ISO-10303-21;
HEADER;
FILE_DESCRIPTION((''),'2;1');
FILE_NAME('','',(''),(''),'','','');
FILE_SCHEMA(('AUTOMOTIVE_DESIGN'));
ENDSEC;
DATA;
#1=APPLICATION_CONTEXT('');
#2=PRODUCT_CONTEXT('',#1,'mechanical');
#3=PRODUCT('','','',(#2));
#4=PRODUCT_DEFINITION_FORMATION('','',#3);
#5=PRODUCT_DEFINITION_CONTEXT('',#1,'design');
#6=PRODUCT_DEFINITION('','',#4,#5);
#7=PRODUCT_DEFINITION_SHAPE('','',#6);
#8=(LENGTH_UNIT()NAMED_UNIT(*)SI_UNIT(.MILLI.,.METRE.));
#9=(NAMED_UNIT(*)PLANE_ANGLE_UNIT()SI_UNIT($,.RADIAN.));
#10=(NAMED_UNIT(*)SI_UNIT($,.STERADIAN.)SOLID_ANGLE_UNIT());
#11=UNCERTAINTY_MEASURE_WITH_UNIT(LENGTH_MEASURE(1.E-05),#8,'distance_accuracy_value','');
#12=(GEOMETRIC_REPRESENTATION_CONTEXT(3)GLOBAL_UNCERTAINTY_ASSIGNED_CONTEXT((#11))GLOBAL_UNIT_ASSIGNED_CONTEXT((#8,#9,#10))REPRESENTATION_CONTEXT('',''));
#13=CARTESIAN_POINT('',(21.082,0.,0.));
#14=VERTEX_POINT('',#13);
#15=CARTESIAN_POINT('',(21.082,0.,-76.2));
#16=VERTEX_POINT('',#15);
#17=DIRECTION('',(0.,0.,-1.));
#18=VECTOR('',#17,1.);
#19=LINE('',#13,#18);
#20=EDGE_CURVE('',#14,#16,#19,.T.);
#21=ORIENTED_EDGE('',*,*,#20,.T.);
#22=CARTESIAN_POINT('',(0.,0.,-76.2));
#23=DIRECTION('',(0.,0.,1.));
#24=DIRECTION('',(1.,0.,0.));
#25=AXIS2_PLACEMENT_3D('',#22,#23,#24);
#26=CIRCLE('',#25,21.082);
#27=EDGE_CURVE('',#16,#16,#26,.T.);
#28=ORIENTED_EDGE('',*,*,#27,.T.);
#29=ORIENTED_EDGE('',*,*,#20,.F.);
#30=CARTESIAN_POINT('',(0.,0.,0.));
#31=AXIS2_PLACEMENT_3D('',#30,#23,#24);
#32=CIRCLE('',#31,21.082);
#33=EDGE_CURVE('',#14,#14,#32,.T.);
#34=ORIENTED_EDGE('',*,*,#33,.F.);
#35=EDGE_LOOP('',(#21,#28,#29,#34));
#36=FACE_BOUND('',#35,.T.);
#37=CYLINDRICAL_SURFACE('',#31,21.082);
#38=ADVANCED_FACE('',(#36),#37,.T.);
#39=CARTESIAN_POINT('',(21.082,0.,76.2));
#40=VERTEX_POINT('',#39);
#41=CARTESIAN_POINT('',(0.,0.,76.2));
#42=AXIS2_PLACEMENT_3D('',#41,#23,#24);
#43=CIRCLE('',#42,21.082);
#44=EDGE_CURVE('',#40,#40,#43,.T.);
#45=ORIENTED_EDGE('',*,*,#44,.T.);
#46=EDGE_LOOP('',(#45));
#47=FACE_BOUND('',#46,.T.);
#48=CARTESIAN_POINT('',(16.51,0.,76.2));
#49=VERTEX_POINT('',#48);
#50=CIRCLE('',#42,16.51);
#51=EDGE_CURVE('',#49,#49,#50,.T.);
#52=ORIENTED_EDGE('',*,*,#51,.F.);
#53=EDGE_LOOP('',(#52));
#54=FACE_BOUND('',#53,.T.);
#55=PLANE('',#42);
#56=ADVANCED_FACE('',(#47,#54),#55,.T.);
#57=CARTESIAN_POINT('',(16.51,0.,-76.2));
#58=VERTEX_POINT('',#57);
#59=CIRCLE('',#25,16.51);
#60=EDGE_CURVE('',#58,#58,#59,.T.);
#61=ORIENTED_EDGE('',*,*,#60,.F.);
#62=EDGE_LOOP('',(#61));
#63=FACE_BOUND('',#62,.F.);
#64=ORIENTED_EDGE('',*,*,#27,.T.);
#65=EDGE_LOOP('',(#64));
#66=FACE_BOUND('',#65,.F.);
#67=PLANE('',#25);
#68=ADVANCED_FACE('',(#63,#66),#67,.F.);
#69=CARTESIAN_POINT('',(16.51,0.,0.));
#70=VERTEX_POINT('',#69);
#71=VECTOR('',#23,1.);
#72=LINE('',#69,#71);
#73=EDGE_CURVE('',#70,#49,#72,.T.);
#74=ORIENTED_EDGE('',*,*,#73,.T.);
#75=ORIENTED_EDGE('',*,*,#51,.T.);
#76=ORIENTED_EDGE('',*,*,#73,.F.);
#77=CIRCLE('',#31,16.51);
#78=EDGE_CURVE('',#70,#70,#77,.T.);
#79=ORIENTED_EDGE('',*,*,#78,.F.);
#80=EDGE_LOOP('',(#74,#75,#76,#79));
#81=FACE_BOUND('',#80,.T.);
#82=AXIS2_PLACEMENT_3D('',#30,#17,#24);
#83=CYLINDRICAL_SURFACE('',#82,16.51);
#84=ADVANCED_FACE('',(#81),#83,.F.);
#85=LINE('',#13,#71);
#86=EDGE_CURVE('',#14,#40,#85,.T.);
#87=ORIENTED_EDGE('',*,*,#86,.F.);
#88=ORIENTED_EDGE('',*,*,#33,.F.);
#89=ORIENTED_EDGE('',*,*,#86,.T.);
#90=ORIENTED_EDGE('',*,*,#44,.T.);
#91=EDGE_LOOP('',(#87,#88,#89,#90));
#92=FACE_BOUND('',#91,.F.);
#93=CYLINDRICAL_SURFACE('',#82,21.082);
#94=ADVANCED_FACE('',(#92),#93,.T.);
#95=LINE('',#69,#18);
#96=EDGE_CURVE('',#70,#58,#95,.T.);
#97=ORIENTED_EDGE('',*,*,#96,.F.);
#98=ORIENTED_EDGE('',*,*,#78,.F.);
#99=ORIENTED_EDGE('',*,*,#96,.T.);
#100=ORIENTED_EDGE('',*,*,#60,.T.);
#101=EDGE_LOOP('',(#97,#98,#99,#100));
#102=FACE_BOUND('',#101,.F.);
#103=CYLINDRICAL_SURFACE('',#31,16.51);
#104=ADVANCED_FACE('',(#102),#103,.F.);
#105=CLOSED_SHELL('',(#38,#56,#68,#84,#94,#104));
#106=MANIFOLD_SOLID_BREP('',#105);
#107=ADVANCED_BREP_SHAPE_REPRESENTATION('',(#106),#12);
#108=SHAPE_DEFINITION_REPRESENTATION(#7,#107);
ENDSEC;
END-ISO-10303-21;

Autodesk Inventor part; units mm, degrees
ref_plane "YZ Plane" through (0, 0, 0) normal (1, 0, 0) x (0, 1, 0)
ref_plane "XZ Plane" through (0, 0, 0) normal (0, 1, 0) x (-1, 0, 0)
sketch "Sketch1" plane through (0, 0, 0) normal (0, 0, 1) x (1, 0, 0)
  circle A0 centre (0, 0) radius 16.51
  circle A1 centre (0, 0) radius 21.082
  dimension "d0" = 33.02
  dimension "d1" = 42.164
extrude "Extrusion1" add sketch "Sketch1" along normal mid plane 152.4
properties part number "switchHangingPipe" material "Iron, Gray"
